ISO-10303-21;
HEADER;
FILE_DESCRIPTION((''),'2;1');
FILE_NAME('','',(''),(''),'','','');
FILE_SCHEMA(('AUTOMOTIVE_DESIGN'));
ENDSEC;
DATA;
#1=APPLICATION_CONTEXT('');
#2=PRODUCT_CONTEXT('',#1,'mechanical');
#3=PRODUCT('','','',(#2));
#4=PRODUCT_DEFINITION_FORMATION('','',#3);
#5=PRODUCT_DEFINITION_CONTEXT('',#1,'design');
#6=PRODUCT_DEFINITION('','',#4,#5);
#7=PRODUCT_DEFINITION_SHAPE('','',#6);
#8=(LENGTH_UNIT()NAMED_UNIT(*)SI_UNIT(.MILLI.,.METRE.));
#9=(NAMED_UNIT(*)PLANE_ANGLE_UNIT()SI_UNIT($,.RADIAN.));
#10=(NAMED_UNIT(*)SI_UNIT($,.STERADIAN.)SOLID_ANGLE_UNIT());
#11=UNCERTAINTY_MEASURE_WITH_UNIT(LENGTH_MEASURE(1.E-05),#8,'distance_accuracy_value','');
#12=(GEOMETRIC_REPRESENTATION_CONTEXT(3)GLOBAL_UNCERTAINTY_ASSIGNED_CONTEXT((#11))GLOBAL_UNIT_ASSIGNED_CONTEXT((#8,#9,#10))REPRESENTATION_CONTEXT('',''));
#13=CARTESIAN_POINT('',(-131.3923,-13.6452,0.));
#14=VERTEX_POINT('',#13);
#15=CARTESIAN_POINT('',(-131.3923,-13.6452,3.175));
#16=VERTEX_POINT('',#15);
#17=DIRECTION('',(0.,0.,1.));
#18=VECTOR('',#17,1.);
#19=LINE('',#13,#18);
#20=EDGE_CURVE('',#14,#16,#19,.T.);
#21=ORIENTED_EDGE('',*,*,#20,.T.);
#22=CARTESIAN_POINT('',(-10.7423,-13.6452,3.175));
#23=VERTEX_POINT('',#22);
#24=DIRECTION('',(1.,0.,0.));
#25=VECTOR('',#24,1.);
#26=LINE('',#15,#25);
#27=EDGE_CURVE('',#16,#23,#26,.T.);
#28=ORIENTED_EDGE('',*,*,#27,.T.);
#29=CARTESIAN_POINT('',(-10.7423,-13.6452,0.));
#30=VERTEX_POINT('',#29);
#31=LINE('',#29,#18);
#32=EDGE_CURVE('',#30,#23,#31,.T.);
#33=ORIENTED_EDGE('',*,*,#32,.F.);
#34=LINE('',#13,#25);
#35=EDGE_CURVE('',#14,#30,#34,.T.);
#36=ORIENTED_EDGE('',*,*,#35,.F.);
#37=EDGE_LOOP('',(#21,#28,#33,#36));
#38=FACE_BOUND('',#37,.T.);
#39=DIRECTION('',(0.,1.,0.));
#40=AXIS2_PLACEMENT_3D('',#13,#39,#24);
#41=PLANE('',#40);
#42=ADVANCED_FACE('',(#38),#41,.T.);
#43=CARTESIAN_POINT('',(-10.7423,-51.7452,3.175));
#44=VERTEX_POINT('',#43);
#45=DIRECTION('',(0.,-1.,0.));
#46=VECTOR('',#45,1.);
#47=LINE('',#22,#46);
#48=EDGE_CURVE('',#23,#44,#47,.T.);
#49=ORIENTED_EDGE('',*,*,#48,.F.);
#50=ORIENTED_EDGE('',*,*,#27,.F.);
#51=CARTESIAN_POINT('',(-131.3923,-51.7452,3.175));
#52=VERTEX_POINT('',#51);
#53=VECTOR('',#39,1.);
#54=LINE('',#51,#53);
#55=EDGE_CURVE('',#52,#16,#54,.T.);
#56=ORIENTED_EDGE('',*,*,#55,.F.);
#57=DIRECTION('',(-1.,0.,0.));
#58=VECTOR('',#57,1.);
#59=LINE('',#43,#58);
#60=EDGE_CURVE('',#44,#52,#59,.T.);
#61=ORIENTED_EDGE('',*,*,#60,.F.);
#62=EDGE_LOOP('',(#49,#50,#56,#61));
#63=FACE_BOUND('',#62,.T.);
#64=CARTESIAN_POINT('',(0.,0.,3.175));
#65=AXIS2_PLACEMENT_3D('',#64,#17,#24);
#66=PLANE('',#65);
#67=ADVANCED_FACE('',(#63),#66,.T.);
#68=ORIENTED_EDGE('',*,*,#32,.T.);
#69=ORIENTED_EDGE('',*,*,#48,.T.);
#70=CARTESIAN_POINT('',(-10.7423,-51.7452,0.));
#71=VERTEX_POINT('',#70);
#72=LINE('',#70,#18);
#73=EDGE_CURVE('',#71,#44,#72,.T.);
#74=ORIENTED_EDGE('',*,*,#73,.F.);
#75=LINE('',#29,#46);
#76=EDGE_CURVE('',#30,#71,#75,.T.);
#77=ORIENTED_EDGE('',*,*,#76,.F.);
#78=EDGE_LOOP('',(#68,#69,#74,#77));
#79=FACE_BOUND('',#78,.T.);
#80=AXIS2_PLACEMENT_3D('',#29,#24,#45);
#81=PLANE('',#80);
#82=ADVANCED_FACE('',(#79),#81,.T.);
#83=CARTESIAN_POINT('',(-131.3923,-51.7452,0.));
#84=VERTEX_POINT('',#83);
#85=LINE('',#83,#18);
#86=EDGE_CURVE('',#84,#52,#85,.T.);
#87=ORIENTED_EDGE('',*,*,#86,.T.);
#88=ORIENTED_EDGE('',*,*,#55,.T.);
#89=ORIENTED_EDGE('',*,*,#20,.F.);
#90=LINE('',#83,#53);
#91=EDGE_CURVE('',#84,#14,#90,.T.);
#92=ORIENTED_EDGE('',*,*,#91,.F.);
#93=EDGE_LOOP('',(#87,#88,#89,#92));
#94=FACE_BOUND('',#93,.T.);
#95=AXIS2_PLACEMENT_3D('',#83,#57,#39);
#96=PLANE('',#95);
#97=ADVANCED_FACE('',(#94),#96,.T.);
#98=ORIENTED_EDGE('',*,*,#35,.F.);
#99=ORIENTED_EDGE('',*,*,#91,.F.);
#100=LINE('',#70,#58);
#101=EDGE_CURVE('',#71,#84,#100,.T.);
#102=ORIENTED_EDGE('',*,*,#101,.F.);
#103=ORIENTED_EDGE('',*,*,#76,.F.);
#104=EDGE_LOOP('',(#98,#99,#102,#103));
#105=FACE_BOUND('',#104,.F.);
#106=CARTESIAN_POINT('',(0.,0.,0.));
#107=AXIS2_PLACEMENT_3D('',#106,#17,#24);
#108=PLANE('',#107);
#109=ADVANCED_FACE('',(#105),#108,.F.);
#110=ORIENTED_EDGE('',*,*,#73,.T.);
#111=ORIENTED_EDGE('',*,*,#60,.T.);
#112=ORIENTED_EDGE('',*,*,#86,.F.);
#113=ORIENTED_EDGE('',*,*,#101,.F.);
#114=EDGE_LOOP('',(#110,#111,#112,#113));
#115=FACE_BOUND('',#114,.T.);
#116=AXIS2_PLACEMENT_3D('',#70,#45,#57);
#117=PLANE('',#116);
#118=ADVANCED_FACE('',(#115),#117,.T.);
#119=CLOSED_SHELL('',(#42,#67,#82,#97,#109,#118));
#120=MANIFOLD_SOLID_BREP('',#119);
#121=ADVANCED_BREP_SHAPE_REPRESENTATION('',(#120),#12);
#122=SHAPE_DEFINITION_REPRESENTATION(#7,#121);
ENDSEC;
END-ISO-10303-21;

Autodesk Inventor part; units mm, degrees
ref_plane "YZ Plane" through (0, 0, 0) normal (1, 0, 0) x (0, 1, 0)
ref_plane "XZ Plane" through (0, 0, 0) normal (0, 1, 0) x (-1, 0, 0)
ref_plane "XY Plane" through (0, 0, 0) normal (0, 0, 1) x (1, 0, 0)
sketch "Sketch1" plane through (0, 0, 0) normal (0, 0, 1) x (1, 0, 0)
  line L0 (-131.3923, -13.6452) -> (-10.7423, -13.6452)
  line L1 (-10.7423, -13.6452) -> (-10.7423, -51.7452)
  line L2 (-10.7423, -51.7452) -> (-131.3923, -51.7452)
  line L3 (-131.3923, -51.7452) -> (-131.3923, -13.6452)
  point P0 (0, 0)
  dimension "d0" = 120.65
  dimension "d1" = 38.1
extrude "Extrusion1" add sketch "Sketch1" along normal blind 3.175
properties part number "DishFront_BackPlate_Blank"
